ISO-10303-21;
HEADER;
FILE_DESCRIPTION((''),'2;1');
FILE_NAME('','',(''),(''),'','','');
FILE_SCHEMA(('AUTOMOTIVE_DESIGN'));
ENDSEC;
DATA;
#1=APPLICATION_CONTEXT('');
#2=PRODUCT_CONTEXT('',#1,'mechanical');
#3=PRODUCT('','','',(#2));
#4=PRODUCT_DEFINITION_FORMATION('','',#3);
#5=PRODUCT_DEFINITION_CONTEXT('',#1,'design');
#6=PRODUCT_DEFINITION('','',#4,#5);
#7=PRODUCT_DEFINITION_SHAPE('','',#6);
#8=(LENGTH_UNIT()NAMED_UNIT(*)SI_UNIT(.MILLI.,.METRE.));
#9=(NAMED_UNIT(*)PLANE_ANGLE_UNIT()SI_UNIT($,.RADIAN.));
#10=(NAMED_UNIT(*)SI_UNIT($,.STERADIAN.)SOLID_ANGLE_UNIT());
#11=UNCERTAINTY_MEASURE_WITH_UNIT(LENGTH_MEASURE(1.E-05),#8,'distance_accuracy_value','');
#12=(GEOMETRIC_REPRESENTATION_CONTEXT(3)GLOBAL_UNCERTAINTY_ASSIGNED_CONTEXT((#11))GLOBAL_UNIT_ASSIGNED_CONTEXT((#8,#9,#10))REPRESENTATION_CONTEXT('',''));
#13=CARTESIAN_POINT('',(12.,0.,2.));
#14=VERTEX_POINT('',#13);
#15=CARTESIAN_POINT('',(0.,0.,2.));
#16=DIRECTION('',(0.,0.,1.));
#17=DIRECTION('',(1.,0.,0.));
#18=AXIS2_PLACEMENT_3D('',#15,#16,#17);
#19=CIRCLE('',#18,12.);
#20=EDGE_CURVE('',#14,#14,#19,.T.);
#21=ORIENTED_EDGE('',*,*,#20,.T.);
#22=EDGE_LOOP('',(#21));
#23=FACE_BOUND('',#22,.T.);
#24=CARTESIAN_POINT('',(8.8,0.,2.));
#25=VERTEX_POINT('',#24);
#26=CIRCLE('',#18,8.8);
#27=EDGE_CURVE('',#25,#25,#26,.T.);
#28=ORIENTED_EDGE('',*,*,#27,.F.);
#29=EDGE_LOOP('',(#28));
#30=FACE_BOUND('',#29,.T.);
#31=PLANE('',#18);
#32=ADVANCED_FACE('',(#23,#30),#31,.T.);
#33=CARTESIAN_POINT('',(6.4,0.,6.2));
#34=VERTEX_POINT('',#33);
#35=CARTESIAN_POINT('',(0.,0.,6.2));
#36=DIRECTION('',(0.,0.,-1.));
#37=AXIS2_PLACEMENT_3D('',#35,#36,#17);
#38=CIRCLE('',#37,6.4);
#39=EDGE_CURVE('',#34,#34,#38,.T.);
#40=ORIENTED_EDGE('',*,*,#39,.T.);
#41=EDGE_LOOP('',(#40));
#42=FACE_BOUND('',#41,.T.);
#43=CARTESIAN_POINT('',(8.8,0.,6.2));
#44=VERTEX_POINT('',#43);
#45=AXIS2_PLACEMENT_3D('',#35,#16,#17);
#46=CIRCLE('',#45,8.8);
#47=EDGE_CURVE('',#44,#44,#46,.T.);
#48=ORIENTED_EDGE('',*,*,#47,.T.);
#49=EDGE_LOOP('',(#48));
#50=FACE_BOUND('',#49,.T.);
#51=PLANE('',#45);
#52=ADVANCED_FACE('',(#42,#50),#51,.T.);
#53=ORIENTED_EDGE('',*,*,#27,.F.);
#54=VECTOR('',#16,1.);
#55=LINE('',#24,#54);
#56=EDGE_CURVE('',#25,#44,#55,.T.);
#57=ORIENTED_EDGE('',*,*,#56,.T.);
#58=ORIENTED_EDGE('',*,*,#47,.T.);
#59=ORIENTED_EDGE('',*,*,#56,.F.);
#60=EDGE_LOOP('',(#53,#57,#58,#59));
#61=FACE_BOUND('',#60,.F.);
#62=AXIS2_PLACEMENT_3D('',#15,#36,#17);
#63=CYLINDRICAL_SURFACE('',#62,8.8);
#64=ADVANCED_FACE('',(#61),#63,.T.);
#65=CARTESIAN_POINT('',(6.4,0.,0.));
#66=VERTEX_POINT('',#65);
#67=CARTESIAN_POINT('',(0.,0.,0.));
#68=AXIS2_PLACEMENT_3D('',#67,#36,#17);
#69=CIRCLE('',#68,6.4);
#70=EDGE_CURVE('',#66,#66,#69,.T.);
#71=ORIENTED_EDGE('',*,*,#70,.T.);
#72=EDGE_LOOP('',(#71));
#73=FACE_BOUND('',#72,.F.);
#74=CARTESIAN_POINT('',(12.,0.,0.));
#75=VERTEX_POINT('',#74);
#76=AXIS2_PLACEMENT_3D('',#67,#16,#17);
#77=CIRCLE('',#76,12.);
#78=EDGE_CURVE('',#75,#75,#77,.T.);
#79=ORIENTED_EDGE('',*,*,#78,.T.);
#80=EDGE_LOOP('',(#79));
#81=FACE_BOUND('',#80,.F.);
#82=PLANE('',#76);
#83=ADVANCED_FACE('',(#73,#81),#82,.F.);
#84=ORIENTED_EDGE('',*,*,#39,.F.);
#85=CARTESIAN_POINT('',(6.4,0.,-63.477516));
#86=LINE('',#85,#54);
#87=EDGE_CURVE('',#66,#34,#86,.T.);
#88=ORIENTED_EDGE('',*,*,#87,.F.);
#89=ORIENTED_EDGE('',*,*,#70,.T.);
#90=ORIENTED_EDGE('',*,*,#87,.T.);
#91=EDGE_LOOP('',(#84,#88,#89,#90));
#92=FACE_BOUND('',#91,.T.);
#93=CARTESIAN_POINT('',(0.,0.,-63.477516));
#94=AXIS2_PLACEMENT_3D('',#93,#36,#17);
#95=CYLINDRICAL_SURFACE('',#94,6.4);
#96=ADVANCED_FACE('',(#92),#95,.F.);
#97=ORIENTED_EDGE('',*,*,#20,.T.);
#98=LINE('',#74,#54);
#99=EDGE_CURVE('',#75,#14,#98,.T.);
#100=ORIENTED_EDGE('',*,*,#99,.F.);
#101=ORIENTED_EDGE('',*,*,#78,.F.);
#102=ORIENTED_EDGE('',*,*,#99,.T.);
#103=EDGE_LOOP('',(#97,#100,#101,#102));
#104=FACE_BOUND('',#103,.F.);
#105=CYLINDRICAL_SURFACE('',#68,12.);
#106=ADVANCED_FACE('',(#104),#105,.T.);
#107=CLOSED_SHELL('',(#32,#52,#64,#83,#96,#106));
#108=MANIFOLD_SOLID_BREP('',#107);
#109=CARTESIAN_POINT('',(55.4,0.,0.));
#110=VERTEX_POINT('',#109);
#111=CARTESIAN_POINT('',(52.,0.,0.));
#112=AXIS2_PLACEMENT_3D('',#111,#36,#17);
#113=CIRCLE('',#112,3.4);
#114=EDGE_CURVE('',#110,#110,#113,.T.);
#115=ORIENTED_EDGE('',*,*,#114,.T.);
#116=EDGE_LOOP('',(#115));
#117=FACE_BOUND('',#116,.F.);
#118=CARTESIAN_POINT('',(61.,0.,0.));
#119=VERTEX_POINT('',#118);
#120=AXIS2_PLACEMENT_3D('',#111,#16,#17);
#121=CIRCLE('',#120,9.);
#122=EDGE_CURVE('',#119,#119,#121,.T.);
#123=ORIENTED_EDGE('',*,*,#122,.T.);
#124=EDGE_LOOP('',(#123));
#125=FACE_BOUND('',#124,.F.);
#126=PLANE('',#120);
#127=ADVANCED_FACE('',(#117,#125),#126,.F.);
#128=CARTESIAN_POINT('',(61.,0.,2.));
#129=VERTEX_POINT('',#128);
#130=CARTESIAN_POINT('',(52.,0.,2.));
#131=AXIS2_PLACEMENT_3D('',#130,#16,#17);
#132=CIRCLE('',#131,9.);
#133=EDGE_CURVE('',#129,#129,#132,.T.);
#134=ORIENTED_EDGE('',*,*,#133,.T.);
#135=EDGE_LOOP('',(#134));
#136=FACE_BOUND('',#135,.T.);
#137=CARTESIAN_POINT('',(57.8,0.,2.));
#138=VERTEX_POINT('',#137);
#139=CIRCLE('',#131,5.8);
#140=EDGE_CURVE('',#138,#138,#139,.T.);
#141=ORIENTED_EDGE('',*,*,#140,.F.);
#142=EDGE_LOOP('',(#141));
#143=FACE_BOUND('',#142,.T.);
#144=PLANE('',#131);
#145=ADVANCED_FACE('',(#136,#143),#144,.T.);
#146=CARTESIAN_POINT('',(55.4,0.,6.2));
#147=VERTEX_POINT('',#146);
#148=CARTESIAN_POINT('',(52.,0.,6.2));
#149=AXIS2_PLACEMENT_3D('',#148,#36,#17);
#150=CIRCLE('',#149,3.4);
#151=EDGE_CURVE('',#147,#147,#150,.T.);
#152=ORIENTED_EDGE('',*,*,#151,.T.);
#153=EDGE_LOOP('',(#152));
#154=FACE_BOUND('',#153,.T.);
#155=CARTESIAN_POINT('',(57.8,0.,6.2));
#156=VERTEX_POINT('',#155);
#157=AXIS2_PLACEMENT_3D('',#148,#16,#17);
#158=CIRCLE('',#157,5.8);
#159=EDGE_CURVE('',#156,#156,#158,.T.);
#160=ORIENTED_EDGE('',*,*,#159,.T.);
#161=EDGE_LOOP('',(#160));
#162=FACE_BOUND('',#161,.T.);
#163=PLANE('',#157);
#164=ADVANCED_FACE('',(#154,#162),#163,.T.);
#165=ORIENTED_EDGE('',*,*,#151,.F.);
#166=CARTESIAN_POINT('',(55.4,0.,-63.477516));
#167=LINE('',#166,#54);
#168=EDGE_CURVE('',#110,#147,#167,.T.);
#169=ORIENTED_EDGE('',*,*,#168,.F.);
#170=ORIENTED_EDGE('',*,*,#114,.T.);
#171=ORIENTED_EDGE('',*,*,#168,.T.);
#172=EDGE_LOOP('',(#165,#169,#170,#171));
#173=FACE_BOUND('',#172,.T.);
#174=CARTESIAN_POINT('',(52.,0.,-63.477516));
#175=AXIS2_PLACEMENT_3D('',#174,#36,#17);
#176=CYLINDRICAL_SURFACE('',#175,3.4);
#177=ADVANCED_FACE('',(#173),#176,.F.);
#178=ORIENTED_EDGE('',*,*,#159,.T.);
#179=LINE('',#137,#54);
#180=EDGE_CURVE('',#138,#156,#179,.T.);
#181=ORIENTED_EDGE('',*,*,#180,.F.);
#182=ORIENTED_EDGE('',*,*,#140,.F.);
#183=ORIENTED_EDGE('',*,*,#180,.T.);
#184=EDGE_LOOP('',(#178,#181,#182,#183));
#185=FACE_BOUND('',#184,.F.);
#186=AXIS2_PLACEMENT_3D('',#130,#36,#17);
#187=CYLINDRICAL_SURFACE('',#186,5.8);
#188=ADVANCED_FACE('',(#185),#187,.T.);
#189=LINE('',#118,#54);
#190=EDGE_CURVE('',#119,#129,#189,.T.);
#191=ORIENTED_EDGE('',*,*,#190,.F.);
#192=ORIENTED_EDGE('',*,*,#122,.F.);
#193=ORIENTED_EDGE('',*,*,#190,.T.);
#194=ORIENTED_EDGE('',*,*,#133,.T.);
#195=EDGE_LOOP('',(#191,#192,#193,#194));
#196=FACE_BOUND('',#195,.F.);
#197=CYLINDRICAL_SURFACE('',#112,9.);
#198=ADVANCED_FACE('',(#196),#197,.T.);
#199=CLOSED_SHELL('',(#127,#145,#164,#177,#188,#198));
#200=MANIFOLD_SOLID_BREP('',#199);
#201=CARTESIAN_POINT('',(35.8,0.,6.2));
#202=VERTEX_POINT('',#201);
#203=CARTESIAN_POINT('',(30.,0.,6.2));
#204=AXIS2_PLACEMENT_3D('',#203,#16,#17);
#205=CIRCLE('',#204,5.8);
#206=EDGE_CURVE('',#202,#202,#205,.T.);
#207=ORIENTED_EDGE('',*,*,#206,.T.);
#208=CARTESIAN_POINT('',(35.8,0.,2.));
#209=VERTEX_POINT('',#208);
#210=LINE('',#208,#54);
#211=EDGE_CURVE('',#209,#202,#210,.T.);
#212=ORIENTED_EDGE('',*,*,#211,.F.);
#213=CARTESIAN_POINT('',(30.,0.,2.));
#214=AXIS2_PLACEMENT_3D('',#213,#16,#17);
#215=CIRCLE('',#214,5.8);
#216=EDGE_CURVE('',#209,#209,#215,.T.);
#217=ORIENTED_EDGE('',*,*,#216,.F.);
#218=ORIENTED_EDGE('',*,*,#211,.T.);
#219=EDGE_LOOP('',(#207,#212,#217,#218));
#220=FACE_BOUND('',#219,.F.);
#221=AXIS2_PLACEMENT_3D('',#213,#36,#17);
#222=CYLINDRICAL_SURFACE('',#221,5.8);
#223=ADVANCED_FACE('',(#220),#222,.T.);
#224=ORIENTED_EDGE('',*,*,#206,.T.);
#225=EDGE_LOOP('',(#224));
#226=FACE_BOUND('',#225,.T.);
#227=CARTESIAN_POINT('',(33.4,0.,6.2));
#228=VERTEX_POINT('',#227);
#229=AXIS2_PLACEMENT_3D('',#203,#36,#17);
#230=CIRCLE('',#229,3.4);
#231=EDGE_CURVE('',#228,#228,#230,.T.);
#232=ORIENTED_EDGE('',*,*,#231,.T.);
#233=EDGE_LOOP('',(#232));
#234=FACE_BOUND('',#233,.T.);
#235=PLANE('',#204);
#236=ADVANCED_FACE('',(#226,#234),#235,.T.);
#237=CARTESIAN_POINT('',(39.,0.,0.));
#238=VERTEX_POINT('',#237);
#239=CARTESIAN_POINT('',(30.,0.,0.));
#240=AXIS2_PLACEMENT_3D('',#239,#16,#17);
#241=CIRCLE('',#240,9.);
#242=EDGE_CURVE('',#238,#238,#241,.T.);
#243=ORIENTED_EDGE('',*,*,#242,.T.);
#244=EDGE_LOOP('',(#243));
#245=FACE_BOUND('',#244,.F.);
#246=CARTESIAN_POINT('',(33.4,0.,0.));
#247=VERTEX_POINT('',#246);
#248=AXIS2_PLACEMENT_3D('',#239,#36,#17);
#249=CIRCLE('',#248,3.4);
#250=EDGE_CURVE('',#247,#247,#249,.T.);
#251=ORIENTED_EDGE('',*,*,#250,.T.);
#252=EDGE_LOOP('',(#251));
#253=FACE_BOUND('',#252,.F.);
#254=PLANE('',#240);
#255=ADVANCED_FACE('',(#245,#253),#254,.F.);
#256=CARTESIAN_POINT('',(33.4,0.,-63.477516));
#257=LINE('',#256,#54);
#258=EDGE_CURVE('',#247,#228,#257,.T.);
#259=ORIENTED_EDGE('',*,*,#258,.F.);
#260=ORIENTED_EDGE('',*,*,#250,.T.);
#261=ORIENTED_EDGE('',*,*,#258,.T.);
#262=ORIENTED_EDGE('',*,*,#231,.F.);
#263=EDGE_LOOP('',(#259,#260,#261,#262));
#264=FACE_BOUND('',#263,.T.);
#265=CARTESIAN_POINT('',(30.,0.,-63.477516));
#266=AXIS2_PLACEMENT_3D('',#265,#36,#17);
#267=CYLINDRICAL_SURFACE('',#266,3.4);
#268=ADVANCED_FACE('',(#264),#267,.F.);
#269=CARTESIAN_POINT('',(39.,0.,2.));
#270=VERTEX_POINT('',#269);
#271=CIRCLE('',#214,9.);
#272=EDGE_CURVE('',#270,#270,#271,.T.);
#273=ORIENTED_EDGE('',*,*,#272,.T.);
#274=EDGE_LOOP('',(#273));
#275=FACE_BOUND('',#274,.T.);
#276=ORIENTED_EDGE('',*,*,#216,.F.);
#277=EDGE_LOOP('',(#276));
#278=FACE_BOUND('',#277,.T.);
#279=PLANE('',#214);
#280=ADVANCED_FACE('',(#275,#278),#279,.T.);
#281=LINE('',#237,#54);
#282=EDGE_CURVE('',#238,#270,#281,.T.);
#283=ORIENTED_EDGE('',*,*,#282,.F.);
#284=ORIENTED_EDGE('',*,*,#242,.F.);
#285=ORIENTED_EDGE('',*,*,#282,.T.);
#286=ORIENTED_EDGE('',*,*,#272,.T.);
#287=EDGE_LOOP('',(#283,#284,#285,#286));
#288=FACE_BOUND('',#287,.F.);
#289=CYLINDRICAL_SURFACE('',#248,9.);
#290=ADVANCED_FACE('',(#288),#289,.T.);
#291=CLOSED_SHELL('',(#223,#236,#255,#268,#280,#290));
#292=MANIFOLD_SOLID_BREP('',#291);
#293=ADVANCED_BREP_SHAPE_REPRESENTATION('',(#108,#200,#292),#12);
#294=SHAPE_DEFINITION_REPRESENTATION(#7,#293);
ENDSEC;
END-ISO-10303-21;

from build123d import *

# Parameters (mm, degrees)
SKETCH1_R              = 12
LIPS_DEPTH             = 2
SKETCH1_R_2            = 9
LIPS_2_DEPTH           = 2
LIPS_3_DEPTH           = 2
SKETCH2_R              = 8.8
SKETCH2_R_2            = 5.8
NECKS_DEPTH            = 4.2
CABLE_BORES_DEPTH      = 63.477515956
CABLE_BORES_DEPTH_BACK = 63.477515956
SKETCH3_R              = 6.4
SKETCH3_R_2            = 3.4


with BuildPart() as part:
    # Sketch1 → Lips (new body)
    with BuildSketch(Plane.XY):
        Circle(SKETCH1_R)
    extrude(amount=LIPS_DEPTH)



with BuildPart() as body_2:
    # Sketch1 → Lips 2 (new body)
    with BuildSketch(Plane.XY):
        with Locations((30, 0)):
            Circle(SKETCH1_R_2)
    extrude(amount=LIPS_2_DEPTH)


with BuildPart() as body_3:
    # Sketch1 → Lips 3 (new body)
    with BuildSketch(Plane.XY):
        with Locations((52, 0)):
            Circle(SKETCH1_R_2)
    extrude(amount=LIPS_3_DEPTH)


with BuildPart() as part_1:
    add(part.part)

    add(body_2.part)  # Necks merges body 2

    add(body_3.part)  # Necks merges body 3
    # Sketch2 → Necks (add)
    with BuildSketch(Plane.XY.offset(2)):
        Circle(SKETCH2_R)
        with Locations((30, 0)):
            Circle(SKETCH2_R_2)
        with Locations((52, 0)):
            Circle(SKETCH2_R_2)
    extrude(amount=NECKS_DEPTH)

    # Sketch3 → Cable_bores (cut, two sides: drawn at the far end of the back side and taken through both)
    with BuildSketch(Plane.XY.offset(-CABLE_BORES_DEPTH_BACK)):
        Circle(SKETCH3_R)
        with Locations((30, 0)):
            Circle(SKETCH3_R_2)
        with Locations((52, 0)):
            Circle(SKETCH3_R_2)
    extrude(amount=CABLE_BORES_DEPTH + CABLE_BORES_DEPTH_BACK, mode=Mode.SUBTRACT)


solid = part_1.part
